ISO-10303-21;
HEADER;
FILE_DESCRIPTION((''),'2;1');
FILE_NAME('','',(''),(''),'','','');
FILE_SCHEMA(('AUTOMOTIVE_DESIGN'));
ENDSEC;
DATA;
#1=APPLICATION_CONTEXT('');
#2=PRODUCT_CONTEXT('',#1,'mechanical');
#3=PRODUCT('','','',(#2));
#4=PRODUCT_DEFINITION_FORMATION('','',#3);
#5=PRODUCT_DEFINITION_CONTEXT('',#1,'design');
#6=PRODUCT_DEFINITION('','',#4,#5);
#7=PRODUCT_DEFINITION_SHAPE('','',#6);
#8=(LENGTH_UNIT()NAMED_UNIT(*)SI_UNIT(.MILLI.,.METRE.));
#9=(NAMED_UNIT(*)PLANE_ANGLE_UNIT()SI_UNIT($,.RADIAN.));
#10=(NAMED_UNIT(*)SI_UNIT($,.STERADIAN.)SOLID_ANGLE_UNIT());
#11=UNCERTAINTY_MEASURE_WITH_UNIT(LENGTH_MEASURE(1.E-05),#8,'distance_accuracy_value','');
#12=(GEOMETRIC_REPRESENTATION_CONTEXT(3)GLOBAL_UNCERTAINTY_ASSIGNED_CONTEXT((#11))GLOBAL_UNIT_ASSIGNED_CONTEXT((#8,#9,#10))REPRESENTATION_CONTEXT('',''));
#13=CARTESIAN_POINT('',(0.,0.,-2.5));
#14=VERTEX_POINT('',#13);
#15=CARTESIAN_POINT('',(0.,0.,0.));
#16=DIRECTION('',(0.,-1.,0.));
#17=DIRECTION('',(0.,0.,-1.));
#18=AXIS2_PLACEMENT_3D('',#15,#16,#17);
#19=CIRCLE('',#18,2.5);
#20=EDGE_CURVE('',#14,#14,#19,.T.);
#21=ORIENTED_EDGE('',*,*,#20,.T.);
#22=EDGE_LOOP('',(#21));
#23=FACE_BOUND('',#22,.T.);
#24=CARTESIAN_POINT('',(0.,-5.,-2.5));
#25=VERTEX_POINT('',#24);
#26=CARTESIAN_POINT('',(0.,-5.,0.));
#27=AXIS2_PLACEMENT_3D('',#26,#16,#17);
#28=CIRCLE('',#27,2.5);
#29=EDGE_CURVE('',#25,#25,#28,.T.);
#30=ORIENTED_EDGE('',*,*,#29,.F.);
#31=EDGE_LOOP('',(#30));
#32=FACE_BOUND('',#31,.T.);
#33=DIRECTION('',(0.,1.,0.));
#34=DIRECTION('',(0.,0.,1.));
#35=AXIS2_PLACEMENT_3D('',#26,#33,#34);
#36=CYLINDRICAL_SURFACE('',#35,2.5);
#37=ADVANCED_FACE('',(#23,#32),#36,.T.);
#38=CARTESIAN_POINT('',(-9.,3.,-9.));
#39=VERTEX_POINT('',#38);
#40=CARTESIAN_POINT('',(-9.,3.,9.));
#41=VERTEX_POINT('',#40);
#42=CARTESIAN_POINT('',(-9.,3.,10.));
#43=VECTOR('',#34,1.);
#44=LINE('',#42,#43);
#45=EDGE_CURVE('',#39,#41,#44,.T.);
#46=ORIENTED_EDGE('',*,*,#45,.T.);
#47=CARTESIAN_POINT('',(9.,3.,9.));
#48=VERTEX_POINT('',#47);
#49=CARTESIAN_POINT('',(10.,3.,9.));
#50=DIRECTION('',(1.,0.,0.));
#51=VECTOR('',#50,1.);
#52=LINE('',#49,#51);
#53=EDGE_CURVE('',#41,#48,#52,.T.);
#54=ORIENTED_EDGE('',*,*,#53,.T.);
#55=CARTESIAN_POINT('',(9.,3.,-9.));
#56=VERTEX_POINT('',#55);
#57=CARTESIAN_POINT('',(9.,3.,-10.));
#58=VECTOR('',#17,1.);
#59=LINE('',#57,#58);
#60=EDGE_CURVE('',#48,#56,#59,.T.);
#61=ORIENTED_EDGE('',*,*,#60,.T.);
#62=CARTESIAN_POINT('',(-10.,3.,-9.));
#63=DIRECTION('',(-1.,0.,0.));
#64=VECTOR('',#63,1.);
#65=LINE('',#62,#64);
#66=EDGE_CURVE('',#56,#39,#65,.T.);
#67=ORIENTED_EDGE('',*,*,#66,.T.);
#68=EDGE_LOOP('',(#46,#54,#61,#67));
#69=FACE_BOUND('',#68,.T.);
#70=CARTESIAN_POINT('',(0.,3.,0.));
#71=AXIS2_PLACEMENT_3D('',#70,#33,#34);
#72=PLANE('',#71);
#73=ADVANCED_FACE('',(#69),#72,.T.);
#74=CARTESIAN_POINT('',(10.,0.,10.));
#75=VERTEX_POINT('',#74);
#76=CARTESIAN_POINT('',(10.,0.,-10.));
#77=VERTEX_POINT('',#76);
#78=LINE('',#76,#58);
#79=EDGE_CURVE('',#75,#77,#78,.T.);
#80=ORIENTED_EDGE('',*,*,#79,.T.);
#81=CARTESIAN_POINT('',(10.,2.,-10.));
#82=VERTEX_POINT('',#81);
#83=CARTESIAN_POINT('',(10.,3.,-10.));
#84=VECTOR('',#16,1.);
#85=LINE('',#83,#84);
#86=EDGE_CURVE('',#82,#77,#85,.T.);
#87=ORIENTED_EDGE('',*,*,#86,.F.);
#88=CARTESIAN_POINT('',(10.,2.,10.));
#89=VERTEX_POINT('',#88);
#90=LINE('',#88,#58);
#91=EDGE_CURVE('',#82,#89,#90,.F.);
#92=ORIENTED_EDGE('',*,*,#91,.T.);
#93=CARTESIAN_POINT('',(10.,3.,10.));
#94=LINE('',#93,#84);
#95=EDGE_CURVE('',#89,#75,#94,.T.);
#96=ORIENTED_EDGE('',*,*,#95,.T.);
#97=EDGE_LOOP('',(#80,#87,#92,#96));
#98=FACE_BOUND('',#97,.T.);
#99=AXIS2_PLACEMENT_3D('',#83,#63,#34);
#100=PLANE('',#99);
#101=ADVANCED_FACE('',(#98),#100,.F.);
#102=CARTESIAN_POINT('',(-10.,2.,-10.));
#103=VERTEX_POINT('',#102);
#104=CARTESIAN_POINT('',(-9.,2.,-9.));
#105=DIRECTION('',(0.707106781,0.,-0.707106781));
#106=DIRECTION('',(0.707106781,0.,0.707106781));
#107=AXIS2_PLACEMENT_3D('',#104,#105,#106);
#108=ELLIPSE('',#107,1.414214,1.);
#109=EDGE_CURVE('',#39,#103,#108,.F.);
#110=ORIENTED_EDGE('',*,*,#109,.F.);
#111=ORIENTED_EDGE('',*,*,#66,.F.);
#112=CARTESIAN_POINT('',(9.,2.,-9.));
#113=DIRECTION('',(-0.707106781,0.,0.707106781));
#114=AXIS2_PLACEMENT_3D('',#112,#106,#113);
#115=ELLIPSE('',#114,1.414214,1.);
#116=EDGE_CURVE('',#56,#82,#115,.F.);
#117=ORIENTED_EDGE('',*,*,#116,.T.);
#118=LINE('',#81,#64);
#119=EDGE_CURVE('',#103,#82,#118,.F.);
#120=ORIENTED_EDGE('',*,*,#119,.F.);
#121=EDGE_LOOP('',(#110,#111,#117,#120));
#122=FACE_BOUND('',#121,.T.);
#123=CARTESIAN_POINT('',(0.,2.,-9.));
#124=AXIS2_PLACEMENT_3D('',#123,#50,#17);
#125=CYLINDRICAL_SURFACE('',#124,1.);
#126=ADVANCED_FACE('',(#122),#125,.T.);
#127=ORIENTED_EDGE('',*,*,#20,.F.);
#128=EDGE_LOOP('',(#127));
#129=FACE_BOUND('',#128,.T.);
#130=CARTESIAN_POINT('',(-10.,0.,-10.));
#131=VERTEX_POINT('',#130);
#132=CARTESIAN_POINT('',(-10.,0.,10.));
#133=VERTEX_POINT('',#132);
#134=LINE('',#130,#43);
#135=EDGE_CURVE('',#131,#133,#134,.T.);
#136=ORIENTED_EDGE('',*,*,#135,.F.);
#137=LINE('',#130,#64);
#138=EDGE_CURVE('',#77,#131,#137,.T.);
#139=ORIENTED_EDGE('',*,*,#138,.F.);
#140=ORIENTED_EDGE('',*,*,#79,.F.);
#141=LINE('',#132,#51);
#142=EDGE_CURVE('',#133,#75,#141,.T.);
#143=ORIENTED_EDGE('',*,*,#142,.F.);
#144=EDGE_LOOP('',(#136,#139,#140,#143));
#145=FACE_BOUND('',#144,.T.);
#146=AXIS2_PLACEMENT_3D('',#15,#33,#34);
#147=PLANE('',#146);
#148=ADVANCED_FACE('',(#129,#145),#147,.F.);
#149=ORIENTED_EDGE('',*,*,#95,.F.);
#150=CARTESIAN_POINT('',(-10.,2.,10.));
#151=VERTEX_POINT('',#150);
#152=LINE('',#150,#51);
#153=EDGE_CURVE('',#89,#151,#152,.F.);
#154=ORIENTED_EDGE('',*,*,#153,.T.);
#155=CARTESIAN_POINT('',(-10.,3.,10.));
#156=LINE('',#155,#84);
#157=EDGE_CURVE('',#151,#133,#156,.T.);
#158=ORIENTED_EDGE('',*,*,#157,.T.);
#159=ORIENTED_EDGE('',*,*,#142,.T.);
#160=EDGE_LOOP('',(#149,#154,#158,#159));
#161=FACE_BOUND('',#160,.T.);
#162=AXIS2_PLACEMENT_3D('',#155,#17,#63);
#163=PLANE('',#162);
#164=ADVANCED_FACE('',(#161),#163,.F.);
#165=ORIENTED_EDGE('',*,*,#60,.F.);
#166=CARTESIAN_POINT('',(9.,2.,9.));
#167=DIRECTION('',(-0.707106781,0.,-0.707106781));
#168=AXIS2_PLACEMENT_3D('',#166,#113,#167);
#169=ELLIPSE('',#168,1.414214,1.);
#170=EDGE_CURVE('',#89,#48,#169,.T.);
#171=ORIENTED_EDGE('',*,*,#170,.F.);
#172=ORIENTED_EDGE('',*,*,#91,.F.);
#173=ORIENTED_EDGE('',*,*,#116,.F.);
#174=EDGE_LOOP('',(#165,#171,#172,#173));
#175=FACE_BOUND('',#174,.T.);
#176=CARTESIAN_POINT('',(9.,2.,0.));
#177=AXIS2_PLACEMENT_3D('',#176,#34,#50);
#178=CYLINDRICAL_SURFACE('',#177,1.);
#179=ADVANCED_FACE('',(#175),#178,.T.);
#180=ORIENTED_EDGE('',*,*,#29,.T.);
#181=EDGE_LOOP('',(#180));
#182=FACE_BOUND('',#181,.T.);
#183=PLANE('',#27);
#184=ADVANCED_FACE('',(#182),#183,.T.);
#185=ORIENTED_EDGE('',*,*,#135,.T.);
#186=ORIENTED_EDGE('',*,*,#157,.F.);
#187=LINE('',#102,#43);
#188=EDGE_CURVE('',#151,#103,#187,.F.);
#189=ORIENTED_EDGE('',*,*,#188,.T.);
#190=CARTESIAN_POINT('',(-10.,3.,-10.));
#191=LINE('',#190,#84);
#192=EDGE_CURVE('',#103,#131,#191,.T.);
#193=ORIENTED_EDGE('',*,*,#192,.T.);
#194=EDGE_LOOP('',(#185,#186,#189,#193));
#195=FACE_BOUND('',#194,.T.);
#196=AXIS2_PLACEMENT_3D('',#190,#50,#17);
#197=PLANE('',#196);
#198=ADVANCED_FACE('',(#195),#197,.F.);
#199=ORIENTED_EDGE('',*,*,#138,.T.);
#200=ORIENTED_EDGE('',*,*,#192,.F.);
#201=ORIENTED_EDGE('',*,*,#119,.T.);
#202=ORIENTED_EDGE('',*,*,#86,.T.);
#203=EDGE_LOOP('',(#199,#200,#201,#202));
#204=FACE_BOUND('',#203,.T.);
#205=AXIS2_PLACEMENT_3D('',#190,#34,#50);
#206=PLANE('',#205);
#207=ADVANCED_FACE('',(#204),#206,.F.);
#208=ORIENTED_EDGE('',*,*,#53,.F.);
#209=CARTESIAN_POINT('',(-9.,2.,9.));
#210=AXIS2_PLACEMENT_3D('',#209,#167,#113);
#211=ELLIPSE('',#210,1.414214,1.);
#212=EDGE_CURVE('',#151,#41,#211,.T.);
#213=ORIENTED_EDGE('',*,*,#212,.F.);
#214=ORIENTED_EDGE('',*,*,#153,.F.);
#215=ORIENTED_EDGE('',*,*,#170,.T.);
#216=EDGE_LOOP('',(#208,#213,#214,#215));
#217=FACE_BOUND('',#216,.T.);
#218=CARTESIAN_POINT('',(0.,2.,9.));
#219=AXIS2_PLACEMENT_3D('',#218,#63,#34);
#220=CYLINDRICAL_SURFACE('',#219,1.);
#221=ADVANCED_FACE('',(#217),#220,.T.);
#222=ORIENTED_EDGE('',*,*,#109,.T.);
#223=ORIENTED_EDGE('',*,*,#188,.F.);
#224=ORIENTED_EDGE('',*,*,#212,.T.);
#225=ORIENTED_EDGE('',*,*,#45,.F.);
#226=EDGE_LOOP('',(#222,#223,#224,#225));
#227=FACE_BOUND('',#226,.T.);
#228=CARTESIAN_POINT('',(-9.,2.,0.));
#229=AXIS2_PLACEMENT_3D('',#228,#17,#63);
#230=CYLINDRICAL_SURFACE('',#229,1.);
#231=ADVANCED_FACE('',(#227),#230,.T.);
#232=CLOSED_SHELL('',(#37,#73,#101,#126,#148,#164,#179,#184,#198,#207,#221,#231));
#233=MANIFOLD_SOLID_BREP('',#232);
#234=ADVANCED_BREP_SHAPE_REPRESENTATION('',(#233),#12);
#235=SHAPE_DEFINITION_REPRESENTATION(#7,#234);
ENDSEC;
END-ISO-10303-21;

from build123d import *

# Parameters (mm, degrees)
SKETCH1_W           = 20
SKETCH1_H           = 20
BOSS_EXTRUDE1_DEPTH = 3
FILLET1_R           = 1
SKETCH2_R           = 2.5
BOSS_EXTRUDE2_DEPTH = 5


with BuildPart() as part:
    # Sketch1 → Boss-Extrude1 (new body)
    with BuildSketch(Plane(origin=(0, 0, 0), x_dir=(1, 0, 0), z_dir=(0, 1, 0))):
        Rectangle(SKETCH1_W, SKETCH1_H)
    extrude(amount=BOSS_EXTRUDE1_DEPTH)

    # Fillet1
    fillet1_edges = [part.edges().sort_by_distance(p)[0] for p in [
        (-10, 3, 0),
        (0, 3, 10),
        (10, 3, 0),
        (0, 3, -10),
    ]]
    fillet(fillet1_edges, radius=FILLET1_R)

    # Sketch2 → Boss-Extrude2 (add)
    with BuildSketch(Plane.XZ):
        Circle(SKETCH2_R)
    extrude(amount=BOSS_EXTRUDE2_DEPTH)


solid = part.part
